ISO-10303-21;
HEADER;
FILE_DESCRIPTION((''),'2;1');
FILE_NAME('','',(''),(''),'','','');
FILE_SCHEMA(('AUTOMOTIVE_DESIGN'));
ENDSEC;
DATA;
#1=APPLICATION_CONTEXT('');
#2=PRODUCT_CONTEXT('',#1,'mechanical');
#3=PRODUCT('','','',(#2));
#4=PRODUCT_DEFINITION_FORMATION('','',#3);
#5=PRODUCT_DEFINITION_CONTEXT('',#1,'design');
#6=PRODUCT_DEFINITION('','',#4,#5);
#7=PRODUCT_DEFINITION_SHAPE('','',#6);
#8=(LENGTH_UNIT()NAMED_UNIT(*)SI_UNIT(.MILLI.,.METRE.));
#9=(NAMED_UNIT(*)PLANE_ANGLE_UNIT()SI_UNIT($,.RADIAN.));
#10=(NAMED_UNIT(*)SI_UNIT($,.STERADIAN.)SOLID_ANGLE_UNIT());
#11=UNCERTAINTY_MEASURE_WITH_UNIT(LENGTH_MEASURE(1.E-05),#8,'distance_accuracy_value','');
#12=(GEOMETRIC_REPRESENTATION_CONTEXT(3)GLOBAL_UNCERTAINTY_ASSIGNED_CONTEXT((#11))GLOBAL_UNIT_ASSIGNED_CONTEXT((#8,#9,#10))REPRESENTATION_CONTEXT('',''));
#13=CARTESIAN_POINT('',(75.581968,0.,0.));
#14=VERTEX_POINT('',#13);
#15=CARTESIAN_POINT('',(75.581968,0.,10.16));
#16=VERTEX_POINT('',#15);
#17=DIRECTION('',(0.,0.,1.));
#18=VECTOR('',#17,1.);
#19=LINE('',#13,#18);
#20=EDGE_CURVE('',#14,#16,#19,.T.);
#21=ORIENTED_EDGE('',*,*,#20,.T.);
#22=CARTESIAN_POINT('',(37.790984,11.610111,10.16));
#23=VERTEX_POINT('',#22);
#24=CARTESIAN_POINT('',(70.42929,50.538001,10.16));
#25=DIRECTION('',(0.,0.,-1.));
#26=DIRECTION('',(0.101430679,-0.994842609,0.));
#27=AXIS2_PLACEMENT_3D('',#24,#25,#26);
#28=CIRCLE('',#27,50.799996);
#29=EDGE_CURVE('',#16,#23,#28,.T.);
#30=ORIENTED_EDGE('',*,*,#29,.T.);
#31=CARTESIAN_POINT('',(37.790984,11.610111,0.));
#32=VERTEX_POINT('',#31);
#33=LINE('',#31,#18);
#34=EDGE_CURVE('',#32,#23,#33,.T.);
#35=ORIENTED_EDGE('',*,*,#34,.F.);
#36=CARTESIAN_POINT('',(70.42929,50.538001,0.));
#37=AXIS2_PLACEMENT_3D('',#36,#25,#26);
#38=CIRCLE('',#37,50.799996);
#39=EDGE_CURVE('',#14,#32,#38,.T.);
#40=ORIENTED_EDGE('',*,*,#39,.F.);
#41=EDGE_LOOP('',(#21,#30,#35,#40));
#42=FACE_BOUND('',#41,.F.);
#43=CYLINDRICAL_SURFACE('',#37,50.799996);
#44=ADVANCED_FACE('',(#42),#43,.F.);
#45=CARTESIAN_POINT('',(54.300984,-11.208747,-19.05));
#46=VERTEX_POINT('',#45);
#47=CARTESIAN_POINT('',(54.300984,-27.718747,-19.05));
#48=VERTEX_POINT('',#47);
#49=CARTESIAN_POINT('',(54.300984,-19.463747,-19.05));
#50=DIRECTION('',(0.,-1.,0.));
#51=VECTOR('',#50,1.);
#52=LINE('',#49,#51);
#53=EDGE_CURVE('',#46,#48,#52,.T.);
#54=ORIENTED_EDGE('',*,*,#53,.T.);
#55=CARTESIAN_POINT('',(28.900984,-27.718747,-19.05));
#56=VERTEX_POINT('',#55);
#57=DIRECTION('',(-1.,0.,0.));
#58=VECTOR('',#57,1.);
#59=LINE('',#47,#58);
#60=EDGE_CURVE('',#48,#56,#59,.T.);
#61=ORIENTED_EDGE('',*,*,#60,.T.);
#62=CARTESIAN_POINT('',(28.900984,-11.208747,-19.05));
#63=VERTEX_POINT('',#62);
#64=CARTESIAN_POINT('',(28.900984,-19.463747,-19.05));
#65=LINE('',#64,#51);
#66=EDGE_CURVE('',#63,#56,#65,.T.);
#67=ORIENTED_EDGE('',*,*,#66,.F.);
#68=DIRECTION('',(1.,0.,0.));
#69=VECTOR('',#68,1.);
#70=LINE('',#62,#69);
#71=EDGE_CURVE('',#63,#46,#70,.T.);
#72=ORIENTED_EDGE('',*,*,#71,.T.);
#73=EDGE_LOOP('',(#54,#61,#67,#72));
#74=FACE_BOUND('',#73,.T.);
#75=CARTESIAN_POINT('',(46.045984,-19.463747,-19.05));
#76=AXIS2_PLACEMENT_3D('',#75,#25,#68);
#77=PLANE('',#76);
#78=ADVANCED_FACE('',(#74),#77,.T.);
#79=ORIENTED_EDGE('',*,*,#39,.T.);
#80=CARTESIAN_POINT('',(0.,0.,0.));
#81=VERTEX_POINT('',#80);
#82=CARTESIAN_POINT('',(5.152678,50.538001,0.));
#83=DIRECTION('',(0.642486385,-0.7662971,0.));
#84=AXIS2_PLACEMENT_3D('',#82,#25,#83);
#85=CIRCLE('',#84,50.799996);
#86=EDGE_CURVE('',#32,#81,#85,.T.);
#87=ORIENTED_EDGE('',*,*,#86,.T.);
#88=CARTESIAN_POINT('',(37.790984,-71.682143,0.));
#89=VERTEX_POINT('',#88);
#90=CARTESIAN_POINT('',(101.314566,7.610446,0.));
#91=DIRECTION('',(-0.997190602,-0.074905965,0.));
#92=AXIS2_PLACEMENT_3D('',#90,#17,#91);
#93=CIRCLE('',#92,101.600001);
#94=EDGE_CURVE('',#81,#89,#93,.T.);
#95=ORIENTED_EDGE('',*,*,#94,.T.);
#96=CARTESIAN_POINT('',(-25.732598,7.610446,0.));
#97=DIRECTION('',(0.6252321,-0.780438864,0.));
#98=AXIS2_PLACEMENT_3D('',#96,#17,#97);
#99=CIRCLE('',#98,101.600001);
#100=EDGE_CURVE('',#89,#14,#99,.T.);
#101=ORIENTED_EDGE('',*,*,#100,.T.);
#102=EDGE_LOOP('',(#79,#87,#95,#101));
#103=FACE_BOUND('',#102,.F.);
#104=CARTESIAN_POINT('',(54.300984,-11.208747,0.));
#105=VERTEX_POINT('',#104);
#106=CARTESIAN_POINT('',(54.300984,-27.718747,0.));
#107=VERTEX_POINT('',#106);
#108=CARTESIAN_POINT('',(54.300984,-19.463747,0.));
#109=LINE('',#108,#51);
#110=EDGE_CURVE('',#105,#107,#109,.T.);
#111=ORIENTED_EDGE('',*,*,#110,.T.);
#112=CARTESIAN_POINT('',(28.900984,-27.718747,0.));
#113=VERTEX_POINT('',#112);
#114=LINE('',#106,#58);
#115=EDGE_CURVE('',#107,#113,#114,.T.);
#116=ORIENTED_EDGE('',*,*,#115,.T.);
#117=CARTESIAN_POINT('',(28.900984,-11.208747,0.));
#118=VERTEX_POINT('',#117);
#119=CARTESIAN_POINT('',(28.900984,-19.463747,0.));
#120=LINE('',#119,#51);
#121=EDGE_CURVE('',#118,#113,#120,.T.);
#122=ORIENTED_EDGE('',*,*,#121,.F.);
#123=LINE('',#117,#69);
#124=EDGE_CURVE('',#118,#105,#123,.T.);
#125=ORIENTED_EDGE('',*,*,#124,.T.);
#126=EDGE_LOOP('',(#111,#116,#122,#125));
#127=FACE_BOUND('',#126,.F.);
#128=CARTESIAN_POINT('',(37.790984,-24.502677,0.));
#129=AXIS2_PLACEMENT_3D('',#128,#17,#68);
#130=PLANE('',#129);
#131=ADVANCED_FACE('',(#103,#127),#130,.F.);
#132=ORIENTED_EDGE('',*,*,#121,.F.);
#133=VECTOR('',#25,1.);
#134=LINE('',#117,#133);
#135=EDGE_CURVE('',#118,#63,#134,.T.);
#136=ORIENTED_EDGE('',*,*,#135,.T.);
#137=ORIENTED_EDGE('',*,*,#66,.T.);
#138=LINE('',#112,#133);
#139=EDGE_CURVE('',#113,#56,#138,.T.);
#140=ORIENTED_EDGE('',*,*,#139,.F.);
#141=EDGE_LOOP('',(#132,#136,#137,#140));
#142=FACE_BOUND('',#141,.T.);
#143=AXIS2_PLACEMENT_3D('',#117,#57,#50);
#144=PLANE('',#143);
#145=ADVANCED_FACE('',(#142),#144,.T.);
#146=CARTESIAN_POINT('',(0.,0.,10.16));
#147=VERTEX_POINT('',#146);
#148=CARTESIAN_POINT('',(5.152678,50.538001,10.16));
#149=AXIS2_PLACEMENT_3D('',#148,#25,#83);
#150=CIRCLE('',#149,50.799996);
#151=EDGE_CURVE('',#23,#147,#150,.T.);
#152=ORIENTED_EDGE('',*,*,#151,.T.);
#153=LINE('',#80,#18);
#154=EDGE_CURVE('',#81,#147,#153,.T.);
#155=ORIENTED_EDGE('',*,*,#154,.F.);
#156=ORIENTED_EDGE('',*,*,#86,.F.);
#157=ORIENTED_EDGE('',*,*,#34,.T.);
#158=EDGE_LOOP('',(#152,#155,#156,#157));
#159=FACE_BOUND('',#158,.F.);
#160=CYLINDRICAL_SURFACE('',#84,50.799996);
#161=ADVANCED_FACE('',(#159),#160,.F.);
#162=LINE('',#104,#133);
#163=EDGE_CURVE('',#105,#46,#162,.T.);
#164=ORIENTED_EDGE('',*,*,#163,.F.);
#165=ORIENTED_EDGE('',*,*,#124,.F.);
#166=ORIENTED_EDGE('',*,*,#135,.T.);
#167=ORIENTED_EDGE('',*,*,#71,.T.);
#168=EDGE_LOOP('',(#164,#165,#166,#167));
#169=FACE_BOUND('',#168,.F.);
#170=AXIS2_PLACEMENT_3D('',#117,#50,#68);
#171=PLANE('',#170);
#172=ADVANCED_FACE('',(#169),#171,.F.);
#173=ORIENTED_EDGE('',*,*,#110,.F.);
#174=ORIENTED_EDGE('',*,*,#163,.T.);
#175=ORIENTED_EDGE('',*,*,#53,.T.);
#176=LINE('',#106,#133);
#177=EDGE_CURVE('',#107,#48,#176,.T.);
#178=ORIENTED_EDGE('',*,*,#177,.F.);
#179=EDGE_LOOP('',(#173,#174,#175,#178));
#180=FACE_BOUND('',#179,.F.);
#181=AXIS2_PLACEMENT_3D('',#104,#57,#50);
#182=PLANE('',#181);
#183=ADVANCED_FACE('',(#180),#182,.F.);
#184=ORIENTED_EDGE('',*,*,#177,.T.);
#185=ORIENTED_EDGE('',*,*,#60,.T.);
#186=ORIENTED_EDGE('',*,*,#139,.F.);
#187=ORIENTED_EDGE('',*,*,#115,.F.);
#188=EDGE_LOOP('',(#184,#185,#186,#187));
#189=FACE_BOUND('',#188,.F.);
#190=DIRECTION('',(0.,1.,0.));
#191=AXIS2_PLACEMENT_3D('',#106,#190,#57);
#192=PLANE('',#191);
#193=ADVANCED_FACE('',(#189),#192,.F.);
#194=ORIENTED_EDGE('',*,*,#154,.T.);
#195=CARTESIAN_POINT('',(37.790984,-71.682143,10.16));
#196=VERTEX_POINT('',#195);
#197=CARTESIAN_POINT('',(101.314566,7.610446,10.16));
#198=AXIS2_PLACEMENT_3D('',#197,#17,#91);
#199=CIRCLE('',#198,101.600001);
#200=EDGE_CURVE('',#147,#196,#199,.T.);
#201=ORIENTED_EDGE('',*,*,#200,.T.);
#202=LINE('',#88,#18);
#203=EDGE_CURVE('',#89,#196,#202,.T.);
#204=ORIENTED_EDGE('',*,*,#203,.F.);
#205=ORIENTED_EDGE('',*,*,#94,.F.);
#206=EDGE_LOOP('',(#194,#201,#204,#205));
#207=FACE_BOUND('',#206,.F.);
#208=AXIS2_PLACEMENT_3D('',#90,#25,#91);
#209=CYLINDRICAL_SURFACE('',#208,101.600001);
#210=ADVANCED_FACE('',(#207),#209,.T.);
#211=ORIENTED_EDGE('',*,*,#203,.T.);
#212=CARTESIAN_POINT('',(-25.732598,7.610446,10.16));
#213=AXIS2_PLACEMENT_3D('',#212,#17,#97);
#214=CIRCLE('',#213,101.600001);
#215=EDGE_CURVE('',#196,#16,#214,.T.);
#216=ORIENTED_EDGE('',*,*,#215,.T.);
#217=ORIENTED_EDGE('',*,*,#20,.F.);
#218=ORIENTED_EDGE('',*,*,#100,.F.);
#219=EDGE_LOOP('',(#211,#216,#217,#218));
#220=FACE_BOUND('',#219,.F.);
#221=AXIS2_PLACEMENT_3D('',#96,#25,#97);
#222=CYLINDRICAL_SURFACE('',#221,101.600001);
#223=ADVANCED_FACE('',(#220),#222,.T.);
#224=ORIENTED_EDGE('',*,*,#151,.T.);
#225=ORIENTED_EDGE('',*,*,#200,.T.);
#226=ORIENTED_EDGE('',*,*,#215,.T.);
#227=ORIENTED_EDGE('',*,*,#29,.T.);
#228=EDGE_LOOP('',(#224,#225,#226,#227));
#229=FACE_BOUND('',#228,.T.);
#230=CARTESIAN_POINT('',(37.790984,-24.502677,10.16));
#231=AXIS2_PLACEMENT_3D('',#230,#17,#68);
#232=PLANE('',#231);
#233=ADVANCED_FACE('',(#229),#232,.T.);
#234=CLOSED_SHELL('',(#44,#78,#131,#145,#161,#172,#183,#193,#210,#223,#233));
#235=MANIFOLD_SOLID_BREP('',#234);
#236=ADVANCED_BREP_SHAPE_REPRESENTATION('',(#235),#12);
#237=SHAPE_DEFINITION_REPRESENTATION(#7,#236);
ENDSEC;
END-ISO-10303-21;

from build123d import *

# Parameters (mm, degrees)
F1_DEPTH = 10.16
F3_W     = 16.51
F3_H     = 16.51
F3_W_2   = 8.89
F4_DEPTH = 19.05


with BuildPart() as f1:
    # F0 (on Top) → F1 (new body)
    with BuildSketch(Plane.XY):
        with BuildLine():
            ThreePointArc((37.790984, 11.610111), (20.071244, 1.977976), (0, 0))
            ThreePointArc((0, 0), (11.43973, -39.771766), (37.790984, -71.682143))
            ThreePointArc((37.790984, -71.682143), (64.142238, -39.771766), (75.581968, 0))
            ThreePointArc((75.581968, 0), (55.510724, 1.977976), (37.790984, 11.610111))
        make_face()
    extrude(amount=F1_DEPTH)

    # F3 (on face) → F4 (join)
    with BuildSketch(Plane(origin=(0, 0, 0), x_dir=(1, 0, 0), z_dir=(0, 0, -1))):
        with Locations((46.045984, 19.463747)):
            Rectangle(F3_W, F3_H)
        with Locations((33.345984, 19.463747)):
            Rectangle(F3_W_2, F3_H)
    extrude(amount=F4_DEPTH)


solid = f1.part
